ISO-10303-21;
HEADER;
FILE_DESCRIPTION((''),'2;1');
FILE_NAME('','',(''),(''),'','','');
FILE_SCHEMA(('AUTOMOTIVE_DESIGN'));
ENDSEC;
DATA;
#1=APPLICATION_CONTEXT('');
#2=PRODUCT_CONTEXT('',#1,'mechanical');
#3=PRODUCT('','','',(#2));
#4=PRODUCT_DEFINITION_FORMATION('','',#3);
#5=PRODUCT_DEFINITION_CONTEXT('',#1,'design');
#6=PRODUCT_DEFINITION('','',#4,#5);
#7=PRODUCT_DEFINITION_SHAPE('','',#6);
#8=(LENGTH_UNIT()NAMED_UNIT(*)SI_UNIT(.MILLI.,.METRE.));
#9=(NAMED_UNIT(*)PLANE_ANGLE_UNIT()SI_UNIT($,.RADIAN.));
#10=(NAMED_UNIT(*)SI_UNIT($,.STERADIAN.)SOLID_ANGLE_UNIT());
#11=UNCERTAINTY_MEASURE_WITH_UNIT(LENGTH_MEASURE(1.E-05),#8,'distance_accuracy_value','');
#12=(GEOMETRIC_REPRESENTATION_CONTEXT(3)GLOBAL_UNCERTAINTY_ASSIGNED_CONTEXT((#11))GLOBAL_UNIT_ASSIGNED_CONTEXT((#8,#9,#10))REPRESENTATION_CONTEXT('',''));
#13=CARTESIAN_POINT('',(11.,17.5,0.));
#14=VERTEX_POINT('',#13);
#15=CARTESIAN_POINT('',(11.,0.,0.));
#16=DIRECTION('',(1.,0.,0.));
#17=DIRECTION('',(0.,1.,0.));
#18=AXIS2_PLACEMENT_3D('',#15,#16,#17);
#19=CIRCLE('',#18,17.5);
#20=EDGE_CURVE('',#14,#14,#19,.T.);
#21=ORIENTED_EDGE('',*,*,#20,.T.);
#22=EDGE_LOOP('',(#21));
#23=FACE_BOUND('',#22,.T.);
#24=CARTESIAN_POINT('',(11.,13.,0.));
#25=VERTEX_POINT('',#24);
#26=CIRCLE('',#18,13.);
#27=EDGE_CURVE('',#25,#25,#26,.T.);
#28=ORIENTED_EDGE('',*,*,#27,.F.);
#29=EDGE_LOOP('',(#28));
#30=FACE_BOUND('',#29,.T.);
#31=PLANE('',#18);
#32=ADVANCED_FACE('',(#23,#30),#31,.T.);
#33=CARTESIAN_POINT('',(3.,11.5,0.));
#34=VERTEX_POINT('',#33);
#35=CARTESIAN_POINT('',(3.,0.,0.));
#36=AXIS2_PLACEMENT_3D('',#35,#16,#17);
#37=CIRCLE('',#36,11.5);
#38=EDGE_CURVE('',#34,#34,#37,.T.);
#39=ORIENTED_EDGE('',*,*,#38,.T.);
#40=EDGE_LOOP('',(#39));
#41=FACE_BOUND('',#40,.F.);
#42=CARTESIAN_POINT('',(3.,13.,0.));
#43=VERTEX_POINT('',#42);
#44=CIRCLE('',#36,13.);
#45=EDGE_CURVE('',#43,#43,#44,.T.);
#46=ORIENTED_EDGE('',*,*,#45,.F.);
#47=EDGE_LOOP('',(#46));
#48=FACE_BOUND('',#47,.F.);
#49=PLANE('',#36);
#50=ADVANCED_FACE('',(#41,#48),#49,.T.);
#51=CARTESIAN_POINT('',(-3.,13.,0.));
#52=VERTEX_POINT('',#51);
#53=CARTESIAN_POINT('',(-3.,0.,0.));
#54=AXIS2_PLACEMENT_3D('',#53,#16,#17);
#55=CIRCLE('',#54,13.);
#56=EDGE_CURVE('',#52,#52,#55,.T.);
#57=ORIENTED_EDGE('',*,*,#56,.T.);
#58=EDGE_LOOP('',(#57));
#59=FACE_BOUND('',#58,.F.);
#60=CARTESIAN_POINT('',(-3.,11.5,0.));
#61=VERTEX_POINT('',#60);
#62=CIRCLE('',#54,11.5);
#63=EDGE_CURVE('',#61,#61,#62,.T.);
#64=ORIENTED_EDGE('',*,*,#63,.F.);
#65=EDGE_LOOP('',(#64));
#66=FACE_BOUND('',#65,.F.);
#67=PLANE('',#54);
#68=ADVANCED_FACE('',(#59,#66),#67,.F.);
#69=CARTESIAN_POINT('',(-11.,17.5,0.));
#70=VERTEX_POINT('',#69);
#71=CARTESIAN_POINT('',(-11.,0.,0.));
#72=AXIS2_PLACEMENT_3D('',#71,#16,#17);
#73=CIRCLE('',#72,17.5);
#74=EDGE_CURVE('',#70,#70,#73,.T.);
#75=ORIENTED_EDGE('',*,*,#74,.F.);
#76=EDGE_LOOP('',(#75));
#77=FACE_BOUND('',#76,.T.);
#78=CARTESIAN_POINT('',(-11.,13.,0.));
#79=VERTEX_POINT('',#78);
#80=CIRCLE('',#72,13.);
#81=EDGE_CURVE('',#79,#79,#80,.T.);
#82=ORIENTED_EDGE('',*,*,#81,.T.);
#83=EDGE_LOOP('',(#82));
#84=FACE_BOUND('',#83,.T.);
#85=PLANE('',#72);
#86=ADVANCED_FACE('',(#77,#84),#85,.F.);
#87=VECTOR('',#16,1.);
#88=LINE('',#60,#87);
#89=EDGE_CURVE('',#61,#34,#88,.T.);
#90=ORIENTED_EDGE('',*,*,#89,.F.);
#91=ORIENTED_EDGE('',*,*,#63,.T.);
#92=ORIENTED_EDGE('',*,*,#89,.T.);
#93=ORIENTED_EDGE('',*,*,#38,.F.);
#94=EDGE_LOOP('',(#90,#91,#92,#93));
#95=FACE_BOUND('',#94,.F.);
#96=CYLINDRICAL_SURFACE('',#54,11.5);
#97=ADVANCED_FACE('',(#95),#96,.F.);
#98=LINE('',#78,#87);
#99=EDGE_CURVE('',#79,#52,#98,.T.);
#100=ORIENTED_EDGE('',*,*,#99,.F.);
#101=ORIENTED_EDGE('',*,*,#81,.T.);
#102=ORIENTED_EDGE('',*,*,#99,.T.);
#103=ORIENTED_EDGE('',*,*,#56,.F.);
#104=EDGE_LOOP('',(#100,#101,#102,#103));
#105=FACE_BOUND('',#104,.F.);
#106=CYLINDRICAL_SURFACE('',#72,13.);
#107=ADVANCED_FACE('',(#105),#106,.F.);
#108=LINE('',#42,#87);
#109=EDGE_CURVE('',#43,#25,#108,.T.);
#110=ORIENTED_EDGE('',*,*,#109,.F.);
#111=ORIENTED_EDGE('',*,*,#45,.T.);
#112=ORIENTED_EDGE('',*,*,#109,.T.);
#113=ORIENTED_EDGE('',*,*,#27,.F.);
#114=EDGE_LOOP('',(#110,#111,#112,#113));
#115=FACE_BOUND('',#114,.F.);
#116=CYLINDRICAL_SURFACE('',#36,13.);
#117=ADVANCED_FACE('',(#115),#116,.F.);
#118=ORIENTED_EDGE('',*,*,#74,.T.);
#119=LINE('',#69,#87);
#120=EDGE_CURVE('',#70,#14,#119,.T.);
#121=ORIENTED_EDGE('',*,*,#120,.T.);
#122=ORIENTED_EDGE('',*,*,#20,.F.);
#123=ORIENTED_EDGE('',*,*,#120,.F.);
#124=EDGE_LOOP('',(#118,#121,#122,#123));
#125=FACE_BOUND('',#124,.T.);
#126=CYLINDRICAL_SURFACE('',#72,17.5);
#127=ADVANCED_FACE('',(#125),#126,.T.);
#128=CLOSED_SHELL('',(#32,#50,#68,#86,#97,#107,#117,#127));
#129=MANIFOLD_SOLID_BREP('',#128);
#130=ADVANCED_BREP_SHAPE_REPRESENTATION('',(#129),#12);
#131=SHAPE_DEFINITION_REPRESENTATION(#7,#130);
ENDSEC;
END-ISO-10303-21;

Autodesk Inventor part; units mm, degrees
sketch "_____1" plane through (0, 0, 0) normal (0, 0, 1) x (1, 0, 0)
  line L0 (11, 0) -> (-11, 0)
  line L1 (-11, 0) -> (-11, 17.5)
  line L2 (-11, 17.5) -> (11, 17.5)
  line L3 (11, 17.5) -> (11, 0)
  line L4 (11, 0) -> (-11, 0)
revolve "Revolution1" add sketch "_____1" angle 360 about axis through (11, 0, 0) along (1, 0, 0)
sketch "_____3" plane through (0, 0, 0) normal (0, 0, 1) x (1, 0, 0)
  line L0 (11, 0) -> (-11, 0)
  line L1 (-11, 0) -> (-11, 13)
  line L2 (-11, 13) -> (-3, 13)
  line L3 (-3, 13) -> (-3, 11.5)
  line L4 (-3, 11.5) -> (3, 11.5)
  line L5 (3, 11.5) -> (3, 13)
  line L6 (3, 13) -> (11, 13)
  line L7 (11, 13) -> (11, 0)
  line L8 (11, 0) -> (-11, 0)
revolve "Revolution2" cut sketch "_____3" angle 360 about axis through (11, 0, 0) along (1, 0, 0)
ref_plane "b6000_1_XY" through (7, 0, 0) normal (1, 0, 0) x (0, 0, -1)
ref_plane "b6000_1_YZ" through (7, 0, 0) normal (0, 0, -1) x (0, 1, 0)
ref_plane "b6000_1_ZX" through (7, 0, 0) normal (0, 1, 0) x (1, 0, 0)
ref_plane "b6000_2_XY" through (-7, 0, 0) normal (1, 0, 0) x (0, 0, -1)
ref_plane "b6000_2_YZ" through (-7, 0, 0) normal (0, 0, -1) x (0, 1, 0)
ref_plane "b6000_2_ZX" through (-7, 0, 0) normal (0, 1, 0) x (1, 0, 0)
ref_plane "to_dummy_XY" through (0, 0, 0) normal (1, 0, 0) x (0, 0, -1)
ref_plane "to_dummy_YZ" through (0, 0, 0) normal (0, 0, -1) x (0, 1, 0)
ref_plane "to_dummy_ZX" through (0, 0, 0) normal (0, 1, 0) x (1, 0, 0)
properties part number "C-AFBD22-35W_bw"
